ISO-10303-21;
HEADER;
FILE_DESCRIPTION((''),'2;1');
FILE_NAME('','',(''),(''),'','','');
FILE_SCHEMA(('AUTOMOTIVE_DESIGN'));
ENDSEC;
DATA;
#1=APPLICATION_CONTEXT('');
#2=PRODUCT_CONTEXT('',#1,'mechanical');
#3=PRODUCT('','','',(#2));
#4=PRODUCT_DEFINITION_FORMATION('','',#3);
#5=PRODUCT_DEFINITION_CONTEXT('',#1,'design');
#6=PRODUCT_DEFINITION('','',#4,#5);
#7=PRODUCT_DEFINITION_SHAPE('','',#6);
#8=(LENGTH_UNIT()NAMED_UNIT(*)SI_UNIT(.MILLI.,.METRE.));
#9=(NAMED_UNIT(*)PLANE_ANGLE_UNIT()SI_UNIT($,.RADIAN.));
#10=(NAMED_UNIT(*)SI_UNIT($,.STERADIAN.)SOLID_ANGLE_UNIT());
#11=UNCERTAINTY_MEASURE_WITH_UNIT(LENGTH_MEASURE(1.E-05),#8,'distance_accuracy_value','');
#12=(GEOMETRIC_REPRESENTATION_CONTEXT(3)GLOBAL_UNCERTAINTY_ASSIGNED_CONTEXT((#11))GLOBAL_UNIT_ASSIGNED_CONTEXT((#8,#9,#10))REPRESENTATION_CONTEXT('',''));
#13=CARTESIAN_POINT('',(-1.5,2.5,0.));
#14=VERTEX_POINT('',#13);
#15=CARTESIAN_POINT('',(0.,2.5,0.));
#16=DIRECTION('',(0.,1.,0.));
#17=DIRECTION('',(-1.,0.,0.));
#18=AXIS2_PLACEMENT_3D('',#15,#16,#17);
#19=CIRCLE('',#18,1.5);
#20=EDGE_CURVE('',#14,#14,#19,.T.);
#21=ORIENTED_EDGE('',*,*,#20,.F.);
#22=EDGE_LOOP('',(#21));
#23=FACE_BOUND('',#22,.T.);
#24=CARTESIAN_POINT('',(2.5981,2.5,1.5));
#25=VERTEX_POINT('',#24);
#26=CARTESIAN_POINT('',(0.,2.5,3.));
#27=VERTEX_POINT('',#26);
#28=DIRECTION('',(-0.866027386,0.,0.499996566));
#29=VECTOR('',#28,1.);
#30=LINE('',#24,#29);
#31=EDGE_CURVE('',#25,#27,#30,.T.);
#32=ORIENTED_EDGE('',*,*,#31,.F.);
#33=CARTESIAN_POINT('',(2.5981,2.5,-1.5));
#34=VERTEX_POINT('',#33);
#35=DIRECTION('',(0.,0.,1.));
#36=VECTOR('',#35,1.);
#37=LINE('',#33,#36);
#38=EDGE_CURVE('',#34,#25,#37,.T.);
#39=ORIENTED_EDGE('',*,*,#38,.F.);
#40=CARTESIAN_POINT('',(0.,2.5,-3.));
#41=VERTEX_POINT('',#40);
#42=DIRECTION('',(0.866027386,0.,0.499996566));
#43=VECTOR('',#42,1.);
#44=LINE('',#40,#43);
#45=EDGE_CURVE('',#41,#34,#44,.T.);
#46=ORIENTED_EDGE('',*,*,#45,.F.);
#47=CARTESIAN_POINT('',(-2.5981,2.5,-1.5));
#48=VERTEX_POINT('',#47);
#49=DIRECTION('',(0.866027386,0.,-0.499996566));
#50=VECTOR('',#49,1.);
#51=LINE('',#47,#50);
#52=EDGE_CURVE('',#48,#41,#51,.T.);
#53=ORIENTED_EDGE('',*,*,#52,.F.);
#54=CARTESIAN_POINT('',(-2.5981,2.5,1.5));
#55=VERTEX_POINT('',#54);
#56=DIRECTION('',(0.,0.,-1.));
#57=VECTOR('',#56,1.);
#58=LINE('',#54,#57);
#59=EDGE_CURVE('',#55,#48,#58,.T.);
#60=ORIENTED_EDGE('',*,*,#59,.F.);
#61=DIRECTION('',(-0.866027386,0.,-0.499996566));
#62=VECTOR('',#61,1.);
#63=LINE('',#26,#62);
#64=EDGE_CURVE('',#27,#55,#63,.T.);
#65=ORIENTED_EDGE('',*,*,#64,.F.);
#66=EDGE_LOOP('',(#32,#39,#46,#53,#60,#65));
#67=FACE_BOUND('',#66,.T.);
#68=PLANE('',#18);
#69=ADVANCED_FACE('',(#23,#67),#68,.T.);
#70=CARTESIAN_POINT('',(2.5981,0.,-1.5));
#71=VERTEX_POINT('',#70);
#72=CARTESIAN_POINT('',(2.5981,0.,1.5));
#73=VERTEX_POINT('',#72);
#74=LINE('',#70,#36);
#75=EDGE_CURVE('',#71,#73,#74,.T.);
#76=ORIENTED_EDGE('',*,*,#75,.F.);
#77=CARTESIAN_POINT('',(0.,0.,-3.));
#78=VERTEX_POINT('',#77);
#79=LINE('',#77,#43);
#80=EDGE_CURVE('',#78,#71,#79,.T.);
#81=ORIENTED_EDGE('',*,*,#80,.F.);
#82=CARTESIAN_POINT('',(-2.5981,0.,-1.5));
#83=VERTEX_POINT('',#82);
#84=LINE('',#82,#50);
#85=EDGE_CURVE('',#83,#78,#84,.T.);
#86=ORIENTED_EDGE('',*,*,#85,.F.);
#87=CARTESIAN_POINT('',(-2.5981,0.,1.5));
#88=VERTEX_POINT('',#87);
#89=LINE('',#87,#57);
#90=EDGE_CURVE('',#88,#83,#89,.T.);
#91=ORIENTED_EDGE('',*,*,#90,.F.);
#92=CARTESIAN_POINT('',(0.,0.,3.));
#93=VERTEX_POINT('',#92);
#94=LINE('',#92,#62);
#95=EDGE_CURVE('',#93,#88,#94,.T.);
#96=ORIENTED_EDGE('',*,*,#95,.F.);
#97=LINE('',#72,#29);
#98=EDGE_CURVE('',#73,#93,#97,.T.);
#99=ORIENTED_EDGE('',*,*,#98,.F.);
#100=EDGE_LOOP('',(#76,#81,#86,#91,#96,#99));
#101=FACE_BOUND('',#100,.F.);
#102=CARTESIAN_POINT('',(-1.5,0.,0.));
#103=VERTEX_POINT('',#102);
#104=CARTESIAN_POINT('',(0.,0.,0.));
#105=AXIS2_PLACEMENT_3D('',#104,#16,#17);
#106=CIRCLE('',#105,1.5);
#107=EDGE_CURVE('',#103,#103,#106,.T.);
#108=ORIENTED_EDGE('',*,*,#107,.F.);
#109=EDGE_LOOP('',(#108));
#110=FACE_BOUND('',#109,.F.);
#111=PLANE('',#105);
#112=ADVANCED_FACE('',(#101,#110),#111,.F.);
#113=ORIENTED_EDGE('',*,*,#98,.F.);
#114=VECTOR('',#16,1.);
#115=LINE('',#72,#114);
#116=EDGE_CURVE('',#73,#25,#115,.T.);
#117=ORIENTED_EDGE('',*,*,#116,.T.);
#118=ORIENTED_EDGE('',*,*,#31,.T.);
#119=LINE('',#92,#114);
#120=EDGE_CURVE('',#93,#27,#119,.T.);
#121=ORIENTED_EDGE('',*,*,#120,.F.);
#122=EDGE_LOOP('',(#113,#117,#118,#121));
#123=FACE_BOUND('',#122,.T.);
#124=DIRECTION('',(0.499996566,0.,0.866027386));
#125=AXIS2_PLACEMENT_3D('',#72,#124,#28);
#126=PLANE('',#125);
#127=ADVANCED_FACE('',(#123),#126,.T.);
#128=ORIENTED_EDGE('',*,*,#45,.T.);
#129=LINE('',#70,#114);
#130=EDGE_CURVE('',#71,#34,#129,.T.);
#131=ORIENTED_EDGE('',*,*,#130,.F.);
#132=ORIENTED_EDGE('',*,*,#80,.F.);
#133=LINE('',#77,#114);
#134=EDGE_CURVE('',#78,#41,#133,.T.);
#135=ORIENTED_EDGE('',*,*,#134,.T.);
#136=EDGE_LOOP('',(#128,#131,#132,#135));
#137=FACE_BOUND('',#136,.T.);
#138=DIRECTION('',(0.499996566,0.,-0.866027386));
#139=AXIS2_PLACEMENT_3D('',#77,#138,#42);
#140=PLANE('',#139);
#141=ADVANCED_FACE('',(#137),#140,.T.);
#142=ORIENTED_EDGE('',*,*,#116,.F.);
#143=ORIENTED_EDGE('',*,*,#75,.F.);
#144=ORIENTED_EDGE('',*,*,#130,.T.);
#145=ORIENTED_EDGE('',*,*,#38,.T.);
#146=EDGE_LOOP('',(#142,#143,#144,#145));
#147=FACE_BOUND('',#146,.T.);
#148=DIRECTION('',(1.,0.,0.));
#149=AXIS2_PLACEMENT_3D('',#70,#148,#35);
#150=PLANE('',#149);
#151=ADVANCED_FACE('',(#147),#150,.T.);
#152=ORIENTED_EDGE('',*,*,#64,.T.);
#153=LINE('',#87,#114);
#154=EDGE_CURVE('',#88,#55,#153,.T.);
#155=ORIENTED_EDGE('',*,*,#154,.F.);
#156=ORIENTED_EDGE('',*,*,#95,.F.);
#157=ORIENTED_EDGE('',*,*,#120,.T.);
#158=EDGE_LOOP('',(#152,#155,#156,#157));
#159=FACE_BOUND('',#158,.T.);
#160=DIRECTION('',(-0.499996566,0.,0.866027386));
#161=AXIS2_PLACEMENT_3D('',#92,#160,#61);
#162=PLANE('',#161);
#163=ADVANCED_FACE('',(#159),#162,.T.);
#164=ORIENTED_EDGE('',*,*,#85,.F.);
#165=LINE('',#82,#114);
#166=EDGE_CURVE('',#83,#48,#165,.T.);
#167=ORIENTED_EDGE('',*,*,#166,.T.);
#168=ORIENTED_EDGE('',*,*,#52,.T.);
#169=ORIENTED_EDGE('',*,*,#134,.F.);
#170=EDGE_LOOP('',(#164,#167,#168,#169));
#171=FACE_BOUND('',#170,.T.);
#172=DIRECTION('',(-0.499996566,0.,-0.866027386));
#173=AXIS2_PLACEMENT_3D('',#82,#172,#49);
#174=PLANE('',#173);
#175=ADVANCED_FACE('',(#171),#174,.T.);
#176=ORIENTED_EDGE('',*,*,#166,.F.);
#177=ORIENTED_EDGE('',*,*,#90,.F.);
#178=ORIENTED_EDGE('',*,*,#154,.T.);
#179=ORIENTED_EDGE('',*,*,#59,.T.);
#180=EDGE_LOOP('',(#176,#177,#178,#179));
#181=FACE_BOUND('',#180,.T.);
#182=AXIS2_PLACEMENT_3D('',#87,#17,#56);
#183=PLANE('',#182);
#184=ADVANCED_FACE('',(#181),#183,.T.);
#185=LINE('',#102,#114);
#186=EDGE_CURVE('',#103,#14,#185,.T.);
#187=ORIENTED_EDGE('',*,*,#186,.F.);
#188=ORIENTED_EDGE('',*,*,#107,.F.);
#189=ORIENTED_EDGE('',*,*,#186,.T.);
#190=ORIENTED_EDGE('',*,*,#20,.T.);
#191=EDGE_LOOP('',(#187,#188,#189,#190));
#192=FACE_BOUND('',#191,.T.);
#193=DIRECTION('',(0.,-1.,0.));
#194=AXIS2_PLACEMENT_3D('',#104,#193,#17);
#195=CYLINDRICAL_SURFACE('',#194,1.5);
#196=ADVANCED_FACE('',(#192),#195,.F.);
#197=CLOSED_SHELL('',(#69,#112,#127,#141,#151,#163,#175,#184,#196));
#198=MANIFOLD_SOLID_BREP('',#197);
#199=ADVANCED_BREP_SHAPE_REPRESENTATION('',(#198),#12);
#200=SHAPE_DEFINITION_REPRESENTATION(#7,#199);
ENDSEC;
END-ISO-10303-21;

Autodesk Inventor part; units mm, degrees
ref_plane "YZ Plane" through (0, 0, 0) normal (1, 0, 0) x (0, 1, 0)
ref_plane "XZ Plane" through (0, 0, 0) normal (0, 1, 0) x (-1, 0, 0)
ref_plane "XY Plane" through (0, 0, 0) normal (0, 0, 1) x (1, 0, 0)
sketch "Sketch1" plane through (0, 0, 0) normal (0, 1, 0) x (-1, 0, 0)
  line L0 (0, -3) -> (-2.5981, -1.5)
  line L1 (-2.5981, -1.5) -> (-2.5981, 1.5)
  line L2 (-2.5981, 1.5) -> (0, 3)
  line L3 (0, 3) -> (2.5981, 1.5)
  line L4 (2.5981, 1.5) -> (2.5981, -1.5)
  line L5 (2.5981, -1.5) -> (0, -3)
  circle A0 centre (0, 0) radius 1.5
  point P0 (0, 0)
  point P1 (0, 0)
  dimension "d0" = 3
  dimension "d1" = 6
extrude "Extrusion1" add sketch "Sketch1" along normal blind 2.5
properties part number "M3 nut"
